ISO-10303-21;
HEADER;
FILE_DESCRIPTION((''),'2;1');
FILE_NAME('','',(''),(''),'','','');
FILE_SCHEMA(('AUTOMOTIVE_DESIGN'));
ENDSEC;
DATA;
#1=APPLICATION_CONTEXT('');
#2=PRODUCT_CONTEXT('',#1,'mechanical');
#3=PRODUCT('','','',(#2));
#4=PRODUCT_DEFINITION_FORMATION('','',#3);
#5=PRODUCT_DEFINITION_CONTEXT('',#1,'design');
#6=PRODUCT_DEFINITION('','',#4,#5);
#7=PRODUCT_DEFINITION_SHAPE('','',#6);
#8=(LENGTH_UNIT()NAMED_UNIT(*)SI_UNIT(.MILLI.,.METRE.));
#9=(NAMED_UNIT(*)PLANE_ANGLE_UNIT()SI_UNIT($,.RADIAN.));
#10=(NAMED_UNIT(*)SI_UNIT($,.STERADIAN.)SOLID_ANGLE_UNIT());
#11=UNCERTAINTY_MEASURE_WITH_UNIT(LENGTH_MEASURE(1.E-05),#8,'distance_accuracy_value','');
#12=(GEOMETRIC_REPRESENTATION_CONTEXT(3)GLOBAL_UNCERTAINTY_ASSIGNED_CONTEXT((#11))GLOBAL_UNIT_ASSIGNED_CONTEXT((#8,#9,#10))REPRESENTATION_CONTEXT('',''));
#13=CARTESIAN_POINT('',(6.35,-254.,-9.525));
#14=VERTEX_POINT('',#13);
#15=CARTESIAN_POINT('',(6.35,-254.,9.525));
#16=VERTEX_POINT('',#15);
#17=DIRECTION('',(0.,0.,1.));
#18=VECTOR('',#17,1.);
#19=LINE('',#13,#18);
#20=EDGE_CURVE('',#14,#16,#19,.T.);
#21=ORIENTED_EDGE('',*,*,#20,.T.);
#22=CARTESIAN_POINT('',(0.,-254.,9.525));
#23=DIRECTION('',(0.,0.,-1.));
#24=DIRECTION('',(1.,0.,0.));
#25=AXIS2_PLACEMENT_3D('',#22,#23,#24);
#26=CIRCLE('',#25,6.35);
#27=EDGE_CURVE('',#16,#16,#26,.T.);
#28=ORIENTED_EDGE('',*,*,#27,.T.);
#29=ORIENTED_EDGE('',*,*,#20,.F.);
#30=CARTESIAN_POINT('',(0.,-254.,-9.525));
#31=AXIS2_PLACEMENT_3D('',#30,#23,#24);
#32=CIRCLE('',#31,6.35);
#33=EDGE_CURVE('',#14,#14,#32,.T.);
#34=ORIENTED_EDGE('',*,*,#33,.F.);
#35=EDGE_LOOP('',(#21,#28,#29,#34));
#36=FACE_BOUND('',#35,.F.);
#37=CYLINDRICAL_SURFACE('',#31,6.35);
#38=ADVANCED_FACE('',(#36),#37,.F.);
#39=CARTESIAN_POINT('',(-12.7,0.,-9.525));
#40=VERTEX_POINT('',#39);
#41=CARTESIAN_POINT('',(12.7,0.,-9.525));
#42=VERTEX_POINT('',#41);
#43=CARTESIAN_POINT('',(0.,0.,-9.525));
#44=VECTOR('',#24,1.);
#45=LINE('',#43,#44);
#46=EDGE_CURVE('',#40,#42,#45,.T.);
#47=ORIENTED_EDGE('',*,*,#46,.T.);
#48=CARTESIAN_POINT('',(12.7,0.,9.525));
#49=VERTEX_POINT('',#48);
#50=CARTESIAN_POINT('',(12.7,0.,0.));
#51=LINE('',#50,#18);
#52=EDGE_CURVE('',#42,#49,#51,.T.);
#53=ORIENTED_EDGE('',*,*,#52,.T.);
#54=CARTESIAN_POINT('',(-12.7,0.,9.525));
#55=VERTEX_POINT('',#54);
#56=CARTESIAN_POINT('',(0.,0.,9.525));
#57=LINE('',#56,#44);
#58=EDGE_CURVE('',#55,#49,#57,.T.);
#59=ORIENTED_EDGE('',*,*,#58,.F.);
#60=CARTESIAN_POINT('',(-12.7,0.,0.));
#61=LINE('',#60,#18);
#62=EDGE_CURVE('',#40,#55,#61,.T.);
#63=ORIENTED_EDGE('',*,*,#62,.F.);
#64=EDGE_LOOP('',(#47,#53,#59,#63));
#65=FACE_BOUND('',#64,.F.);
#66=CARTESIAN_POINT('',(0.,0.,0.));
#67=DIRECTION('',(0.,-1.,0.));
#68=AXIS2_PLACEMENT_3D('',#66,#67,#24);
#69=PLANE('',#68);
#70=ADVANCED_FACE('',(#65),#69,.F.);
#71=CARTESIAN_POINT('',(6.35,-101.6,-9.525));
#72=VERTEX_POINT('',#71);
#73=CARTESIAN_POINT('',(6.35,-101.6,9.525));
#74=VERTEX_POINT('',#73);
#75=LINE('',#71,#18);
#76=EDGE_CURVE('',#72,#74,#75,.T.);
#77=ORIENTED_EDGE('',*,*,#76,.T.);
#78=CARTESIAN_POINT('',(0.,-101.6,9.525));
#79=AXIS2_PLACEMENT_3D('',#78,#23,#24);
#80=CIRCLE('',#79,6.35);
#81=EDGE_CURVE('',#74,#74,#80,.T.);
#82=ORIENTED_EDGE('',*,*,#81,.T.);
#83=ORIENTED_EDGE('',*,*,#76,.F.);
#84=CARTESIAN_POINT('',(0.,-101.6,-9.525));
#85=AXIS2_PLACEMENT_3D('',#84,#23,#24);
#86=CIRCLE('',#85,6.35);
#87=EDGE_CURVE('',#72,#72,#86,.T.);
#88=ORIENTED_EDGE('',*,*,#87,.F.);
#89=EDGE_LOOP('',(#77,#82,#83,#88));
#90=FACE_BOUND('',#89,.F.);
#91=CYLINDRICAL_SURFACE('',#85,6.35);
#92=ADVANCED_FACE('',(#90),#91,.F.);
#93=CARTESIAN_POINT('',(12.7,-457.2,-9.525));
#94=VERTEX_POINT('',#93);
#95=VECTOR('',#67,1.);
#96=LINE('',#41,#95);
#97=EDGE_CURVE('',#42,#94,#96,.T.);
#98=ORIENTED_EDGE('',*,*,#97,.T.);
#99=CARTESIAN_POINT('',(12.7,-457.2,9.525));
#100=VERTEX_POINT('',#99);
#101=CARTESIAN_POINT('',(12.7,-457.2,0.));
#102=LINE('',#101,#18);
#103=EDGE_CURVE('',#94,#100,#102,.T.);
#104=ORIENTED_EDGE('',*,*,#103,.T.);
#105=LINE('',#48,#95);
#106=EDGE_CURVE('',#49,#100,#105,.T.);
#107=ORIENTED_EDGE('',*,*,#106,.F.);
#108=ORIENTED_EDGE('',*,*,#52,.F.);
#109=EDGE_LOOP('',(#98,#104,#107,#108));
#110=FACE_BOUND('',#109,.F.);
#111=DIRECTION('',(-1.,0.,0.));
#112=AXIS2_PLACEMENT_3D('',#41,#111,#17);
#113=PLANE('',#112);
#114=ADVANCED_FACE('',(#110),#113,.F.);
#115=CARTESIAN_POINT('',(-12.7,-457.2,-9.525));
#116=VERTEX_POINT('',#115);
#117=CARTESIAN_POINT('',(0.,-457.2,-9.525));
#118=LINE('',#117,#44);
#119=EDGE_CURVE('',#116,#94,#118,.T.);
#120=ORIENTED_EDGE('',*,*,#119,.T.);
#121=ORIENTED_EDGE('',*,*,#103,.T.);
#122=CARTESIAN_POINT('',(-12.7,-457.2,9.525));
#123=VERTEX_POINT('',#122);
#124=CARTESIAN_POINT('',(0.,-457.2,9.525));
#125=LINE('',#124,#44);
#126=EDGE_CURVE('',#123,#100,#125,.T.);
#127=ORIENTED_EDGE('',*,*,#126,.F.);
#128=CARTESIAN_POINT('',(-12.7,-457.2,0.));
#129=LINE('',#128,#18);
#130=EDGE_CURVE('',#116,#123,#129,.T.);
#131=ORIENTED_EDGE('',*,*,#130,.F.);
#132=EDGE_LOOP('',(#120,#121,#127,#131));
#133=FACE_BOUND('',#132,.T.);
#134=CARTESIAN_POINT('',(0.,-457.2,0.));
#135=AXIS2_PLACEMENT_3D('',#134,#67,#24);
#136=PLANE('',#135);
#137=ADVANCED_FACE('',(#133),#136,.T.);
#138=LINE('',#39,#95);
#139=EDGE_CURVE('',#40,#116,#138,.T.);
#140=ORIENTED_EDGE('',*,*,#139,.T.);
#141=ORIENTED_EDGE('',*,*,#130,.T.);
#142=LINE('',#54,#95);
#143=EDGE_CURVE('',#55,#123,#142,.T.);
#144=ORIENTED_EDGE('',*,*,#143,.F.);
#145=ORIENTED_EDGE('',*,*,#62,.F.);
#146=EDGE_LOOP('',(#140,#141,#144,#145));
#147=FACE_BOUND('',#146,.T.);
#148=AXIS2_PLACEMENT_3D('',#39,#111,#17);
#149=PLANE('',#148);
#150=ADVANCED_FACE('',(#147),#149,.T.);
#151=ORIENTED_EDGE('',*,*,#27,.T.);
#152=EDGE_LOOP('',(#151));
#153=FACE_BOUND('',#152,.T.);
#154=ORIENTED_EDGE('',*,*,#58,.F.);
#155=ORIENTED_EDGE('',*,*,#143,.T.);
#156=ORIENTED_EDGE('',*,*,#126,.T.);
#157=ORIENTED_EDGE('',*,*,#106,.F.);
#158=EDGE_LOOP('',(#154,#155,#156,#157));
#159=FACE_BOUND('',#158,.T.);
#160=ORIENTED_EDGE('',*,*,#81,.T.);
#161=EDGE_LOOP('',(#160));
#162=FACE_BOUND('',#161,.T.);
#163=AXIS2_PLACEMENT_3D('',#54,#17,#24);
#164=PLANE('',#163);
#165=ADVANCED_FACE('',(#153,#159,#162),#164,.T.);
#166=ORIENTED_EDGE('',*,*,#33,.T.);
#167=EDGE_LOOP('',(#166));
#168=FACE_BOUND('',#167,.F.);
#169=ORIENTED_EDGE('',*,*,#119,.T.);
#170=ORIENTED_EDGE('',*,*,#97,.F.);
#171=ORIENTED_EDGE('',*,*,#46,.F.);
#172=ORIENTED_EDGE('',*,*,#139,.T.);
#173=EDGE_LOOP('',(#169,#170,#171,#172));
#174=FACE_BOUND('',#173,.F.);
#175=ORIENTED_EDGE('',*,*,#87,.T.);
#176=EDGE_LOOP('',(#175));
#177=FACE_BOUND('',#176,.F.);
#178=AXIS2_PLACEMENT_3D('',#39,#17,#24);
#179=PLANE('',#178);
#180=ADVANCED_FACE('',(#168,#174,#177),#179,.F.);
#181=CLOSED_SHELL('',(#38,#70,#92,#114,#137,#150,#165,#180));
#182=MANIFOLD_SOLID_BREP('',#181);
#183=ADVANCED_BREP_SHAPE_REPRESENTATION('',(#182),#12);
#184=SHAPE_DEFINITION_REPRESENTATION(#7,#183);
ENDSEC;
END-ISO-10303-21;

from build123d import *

# Parameters (mm, degrees)
F0_W     = 25.4
F0_H     = 19.05
F1_DEPTH = 457.2
F2_R     = 6.35
F3_DEPTH = 19.051


with BuildPart() as f1:
    # F0 (on Front) → F1 (new body)
    with BuildSketch(Plane.XZ):
        Rectangle(F0_W, F0_H)
    extrude(amount=F1_DEPTH)

    # F2 (on face) → F3 (cut, through all)
    with BuildSketch(Plane(origin=(0, 0, -9.525), x_dir=(1, 0, 0), z_dir=(0, 0, -1))):
        with Locations((0, 254)):
            Circle(F2_R)
        with Locations((0, 101.6)):
            Circle(F2_R)
    extrude(amount=-F3_DEPTH, mode=Mode.SUBTRACT)


solid = f1.part
